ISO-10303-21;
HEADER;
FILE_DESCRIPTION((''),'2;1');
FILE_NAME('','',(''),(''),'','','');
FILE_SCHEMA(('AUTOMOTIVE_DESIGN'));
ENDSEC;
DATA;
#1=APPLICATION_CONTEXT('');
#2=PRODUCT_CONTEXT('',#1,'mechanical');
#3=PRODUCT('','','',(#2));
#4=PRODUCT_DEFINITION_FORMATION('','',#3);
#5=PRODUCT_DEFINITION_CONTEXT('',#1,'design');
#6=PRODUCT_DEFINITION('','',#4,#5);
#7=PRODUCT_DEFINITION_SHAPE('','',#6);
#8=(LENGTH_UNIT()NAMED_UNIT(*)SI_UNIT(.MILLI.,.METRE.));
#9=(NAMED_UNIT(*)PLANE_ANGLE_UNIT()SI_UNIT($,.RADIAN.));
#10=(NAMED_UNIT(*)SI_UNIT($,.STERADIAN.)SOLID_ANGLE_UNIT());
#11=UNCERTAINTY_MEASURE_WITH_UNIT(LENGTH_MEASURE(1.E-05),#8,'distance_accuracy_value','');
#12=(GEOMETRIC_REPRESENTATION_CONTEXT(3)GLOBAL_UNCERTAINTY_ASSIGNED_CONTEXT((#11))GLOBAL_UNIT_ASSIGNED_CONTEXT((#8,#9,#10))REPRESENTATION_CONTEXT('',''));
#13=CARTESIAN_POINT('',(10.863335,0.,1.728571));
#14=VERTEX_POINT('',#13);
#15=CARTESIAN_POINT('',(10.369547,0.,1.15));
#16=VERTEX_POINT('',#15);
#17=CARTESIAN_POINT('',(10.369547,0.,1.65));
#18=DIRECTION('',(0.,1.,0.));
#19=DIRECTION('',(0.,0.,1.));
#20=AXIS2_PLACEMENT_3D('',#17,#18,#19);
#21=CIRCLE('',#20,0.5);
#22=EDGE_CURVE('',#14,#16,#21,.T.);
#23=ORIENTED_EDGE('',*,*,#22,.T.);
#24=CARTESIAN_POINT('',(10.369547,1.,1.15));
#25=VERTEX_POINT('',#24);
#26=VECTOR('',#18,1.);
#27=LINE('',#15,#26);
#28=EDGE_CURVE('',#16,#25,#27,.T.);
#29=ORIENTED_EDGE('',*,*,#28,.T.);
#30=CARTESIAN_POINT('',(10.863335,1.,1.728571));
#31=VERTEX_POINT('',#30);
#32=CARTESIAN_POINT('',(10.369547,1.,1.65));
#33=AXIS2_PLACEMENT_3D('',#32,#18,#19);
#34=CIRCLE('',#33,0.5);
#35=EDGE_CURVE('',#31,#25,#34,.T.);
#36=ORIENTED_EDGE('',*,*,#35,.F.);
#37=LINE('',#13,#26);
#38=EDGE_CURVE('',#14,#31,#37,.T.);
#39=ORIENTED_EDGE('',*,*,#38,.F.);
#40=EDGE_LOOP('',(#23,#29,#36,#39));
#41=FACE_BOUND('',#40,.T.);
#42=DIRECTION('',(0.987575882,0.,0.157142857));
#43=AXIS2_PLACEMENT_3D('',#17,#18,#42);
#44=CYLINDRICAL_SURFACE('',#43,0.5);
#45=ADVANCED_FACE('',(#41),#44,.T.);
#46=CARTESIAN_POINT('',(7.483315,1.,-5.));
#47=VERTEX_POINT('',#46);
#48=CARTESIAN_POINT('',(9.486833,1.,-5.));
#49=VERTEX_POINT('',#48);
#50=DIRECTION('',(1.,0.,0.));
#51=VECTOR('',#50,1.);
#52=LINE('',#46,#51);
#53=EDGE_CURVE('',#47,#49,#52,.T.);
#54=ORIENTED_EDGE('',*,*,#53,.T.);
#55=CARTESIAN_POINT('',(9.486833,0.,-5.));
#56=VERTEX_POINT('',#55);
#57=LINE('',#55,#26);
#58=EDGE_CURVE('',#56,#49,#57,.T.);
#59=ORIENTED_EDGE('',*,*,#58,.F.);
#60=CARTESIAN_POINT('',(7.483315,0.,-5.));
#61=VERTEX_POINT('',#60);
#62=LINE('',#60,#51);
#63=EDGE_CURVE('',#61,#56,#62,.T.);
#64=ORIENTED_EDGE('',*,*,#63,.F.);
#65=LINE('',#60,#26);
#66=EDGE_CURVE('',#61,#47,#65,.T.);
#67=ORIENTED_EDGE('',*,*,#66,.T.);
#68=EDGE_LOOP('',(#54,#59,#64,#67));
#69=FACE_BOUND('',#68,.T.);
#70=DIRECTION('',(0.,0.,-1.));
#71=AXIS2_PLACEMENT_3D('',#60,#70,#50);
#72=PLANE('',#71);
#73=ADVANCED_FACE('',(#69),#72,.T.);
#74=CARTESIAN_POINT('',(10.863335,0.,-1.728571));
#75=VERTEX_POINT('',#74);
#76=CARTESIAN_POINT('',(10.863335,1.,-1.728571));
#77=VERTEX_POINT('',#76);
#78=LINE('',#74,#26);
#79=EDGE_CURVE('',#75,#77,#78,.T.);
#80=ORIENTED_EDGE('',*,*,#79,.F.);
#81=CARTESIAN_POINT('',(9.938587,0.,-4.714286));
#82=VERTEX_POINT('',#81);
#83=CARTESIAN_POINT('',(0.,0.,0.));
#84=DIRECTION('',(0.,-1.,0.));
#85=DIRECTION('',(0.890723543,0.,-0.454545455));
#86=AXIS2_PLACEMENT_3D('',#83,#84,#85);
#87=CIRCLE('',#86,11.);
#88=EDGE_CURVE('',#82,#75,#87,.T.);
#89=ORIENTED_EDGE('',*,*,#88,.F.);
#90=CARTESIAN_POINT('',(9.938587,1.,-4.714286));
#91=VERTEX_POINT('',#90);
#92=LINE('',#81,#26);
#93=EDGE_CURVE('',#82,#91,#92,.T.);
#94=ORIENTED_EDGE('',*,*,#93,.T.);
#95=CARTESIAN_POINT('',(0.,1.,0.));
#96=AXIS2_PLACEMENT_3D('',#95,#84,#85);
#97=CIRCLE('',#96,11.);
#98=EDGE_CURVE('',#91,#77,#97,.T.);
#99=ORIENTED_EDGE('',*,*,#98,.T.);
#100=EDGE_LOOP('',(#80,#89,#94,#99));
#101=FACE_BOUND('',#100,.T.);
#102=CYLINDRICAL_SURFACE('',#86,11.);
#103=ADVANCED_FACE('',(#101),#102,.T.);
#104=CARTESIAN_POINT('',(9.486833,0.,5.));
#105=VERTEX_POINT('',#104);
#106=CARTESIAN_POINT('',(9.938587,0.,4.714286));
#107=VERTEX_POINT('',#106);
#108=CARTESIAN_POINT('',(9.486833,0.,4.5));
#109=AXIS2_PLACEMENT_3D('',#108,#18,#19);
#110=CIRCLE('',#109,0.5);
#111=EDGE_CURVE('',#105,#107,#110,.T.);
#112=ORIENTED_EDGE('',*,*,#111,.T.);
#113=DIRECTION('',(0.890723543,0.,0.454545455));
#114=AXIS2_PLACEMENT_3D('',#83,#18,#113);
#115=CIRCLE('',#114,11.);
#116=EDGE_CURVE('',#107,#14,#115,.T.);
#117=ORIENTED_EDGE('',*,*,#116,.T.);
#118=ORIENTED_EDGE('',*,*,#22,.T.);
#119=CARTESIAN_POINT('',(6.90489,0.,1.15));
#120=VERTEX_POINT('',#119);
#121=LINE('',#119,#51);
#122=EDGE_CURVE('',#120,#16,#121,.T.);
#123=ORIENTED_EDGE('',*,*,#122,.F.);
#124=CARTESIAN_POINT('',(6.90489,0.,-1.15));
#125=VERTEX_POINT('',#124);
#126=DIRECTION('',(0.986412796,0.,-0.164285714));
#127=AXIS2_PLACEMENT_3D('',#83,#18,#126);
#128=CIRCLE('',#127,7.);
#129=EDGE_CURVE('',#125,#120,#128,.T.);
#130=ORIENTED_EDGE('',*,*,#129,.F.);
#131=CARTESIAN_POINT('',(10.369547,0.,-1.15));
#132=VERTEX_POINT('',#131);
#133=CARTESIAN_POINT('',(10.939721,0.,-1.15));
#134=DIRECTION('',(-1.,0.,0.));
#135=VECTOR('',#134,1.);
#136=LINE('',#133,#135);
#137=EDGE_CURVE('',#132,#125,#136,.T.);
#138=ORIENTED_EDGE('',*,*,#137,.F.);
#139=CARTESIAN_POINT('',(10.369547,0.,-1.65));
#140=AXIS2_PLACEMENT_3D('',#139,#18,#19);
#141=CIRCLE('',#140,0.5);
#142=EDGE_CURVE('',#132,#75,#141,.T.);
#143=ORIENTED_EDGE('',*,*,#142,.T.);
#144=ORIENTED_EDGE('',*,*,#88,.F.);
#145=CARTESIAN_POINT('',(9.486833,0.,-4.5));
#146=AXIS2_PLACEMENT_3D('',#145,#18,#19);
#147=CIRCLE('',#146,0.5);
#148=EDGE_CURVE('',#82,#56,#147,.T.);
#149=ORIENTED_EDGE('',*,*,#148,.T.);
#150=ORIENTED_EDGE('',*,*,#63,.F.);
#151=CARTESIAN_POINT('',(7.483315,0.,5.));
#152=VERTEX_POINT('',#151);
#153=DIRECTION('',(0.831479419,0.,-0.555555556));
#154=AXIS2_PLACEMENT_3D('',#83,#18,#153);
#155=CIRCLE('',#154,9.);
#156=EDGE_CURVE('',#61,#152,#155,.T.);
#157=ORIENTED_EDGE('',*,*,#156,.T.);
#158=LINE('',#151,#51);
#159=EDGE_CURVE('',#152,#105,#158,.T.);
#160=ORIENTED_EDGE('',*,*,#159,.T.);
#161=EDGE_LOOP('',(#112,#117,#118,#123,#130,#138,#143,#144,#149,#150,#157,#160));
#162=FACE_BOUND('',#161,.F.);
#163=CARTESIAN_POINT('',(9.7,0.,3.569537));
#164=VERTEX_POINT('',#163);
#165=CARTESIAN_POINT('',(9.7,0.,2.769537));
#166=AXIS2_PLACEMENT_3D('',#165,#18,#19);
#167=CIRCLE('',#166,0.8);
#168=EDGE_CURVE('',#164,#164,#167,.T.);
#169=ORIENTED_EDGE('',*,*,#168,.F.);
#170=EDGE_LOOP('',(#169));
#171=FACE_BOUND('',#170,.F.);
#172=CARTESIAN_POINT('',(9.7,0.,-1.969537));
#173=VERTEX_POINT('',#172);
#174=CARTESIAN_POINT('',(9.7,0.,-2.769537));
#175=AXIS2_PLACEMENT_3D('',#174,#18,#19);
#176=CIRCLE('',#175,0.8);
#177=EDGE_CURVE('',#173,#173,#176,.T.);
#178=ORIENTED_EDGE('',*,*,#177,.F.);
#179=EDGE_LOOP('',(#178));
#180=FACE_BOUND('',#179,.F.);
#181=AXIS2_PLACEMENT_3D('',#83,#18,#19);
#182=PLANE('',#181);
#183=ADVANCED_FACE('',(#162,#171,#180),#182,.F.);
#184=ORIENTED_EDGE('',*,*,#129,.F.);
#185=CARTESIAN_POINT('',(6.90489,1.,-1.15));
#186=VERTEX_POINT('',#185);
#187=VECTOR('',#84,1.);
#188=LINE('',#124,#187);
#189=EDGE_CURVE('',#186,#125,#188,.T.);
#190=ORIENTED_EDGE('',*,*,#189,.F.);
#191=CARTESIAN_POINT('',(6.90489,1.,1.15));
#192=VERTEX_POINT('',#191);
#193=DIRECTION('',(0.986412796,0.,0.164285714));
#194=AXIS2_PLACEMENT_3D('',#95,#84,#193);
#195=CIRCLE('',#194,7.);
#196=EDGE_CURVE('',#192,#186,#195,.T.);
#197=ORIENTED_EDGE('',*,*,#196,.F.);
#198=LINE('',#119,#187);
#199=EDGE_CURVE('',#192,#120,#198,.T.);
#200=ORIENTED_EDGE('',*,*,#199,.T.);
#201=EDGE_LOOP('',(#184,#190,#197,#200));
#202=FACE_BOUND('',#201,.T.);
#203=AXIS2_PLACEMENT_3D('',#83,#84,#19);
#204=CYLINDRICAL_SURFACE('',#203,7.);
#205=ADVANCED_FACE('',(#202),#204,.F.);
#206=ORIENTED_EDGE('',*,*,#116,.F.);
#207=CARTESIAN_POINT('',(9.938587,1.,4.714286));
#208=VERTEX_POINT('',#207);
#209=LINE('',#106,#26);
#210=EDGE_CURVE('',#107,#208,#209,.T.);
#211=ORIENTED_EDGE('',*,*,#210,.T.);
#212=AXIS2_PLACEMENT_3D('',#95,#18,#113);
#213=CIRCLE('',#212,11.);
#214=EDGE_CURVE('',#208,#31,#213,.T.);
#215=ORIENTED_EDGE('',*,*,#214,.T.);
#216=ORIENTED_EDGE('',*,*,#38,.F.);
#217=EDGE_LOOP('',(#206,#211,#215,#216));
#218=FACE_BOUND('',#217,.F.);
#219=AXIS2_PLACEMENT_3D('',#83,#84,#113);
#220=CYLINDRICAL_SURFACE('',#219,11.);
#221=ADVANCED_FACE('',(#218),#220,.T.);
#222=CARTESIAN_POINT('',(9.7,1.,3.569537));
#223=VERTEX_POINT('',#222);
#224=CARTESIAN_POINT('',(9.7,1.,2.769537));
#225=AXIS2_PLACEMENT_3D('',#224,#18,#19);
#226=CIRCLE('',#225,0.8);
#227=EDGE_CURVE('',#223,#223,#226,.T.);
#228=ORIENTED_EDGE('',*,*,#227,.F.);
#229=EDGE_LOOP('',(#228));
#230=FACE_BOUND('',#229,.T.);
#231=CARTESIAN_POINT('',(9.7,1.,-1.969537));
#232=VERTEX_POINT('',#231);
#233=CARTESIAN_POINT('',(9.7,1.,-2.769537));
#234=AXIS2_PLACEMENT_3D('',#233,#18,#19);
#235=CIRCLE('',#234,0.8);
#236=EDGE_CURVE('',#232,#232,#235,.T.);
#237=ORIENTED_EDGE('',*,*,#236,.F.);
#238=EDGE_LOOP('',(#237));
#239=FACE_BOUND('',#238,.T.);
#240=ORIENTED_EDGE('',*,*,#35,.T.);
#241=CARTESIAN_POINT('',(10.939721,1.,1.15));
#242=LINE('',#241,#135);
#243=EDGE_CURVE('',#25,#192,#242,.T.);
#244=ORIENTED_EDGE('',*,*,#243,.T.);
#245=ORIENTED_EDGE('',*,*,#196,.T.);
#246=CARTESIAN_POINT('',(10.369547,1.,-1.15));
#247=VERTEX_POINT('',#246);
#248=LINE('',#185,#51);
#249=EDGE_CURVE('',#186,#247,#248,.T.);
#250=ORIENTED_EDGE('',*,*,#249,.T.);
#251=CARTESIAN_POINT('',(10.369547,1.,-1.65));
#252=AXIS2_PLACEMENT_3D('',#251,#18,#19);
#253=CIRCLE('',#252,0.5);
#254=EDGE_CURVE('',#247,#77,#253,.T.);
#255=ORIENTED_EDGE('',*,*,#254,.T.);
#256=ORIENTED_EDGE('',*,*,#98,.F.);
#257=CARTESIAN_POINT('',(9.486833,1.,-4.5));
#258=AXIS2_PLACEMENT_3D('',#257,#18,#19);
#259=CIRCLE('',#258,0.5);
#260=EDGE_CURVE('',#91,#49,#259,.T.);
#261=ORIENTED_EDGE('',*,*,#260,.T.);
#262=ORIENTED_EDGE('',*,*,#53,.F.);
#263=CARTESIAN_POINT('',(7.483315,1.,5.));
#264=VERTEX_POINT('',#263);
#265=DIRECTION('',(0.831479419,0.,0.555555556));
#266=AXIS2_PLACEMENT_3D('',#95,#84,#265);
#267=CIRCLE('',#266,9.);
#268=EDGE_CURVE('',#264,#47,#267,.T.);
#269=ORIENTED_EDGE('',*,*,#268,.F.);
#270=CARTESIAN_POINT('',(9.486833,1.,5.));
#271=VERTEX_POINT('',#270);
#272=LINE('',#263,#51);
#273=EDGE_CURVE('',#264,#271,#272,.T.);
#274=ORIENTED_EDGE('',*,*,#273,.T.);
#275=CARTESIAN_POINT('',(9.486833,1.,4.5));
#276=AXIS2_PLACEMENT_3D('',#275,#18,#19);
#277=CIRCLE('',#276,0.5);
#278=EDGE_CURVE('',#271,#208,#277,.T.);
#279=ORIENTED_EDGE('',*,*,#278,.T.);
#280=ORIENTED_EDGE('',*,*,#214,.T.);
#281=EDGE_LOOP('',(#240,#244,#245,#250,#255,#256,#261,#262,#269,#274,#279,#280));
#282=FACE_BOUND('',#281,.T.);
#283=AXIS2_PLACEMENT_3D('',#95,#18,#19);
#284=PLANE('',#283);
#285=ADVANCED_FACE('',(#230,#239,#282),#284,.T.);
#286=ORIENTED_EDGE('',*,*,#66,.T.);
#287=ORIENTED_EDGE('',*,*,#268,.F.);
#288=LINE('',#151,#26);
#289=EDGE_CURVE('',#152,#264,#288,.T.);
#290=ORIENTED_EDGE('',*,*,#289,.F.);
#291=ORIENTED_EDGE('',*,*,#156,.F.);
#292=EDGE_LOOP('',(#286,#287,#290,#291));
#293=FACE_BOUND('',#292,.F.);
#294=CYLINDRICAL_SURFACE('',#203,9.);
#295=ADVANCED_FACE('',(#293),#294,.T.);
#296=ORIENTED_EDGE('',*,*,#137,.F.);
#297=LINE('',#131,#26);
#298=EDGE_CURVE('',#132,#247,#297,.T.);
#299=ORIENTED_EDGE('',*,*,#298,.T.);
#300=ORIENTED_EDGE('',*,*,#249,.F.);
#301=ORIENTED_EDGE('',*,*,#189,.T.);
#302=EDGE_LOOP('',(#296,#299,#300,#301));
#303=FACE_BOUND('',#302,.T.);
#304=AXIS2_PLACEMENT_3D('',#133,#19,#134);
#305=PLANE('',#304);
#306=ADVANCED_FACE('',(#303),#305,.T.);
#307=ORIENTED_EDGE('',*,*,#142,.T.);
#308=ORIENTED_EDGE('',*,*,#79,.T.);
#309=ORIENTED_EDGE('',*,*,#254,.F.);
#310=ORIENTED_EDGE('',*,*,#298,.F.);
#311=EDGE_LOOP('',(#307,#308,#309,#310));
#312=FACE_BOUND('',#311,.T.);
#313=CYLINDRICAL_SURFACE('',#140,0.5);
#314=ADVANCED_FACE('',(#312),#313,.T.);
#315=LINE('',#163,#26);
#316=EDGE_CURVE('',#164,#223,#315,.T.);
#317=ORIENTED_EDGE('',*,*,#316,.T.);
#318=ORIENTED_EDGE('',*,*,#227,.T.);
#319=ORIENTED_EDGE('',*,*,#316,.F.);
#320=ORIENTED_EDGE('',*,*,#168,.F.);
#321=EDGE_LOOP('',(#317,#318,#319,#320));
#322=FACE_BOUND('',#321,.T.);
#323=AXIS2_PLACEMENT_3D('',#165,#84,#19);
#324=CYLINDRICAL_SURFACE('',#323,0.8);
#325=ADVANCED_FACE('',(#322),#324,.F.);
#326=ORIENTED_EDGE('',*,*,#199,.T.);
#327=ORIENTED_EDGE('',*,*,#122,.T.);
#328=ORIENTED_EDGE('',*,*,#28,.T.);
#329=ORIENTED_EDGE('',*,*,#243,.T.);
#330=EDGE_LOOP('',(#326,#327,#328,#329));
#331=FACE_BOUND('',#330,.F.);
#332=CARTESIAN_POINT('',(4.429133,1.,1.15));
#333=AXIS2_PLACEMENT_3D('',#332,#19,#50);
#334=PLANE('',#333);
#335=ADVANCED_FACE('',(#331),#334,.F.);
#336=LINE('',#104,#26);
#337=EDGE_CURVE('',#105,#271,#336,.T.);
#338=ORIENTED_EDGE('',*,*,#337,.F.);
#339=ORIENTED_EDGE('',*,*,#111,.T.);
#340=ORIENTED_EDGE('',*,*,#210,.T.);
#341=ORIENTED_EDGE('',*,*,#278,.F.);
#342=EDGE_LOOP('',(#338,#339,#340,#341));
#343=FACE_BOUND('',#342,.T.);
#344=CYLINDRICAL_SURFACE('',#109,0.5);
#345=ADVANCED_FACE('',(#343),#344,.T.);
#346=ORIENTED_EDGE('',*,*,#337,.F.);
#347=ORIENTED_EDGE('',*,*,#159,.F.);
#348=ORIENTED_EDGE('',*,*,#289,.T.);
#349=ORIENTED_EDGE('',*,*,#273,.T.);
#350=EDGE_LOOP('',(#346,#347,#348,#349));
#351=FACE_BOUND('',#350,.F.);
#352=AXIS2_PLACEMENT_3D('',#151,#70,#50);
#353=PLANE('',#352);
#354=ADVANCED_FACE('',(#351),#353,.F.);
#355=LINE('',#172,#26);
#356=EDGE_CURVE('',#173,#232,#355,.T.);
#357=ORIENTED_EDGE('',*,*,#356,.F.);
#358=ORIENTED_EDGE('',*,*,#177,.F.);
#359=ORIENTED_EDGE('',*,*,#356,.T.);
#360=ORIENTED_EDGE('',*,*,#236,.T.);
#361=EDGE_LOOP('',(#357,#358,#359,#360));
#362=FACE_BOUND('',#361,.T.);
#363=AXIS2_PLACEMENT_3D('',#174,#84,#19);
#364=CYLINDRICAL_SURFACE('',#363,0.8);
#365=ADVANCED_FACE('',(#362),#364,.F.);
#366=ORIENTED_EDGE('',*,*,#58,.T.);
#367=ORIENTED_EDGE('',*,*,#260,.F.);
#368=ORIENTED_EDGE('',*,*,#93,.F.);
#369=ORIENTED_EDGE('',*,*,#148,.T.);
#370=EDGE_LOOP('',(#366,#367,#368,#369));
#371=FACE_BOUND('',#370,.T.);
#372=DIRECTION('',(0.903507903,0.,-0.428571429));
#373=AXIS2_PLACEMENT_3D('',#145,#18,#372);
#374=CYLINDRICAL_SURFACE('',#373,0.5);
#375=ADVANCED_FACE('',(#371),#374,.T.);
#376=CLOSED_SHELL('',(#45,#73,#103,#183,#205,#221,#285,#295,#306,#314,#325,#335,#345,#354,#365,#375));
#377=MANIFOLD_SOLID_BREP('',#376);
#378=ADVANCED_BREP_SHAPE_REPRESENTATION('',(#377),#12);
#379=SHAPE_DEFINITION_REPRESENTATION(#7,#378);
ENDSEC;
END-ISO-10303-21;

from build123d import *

# Parameters (mm, degrees)
SKETCH_1_R          = 9
SKETCH_1_R_2        = 7
EXTRUDE_1_DEPTH     = 1
EXTRUDE_START       = -1
SKETCH_2_R          = 0.8
EXTRUDE_2_DEPTH     = 1
SKETCH_3_W          = 6.510588585
SKETCH_3_H          = 2.3
CUT_EXTRUDE_1_DEPTH = 15.201320361
FILLET_1_R          = 0.5


with BuildPart() as part:
    # 草图1 → 凸台-拉伸1 (new body)
    with BuildSketch(Plane(origin=(0, 0, 0), x_dir=(1, 0, 0), z_dir=(0, 1, 0))):
        with Locations(Location((0, 0, 0), (0, 0, 270))):
            Circle(SKETCH_1_R)
        with Locations(Location((0, 0, 0), (0, 0, 270))):
            Circle(SKETCH_1_R_2, mode=Mode.SUBTRACT)
    extrude(amount=EXTRUDE_1_DEPTH)

    # 草图2 → 凸台-拉伸2 (add)
    # profile 1 of 2: a face of its own
    with BuildSketch(Plane(origin=(0, 1, 0), x_dir=(1, 0, 0), z_dir=(0, 1, 0)).offset(EXTRUDE_START)):
        with BuildLine():
            Line((10.939721203, 1.15), (8.926225406, 1.15))
            ThreePointArc((8.926225406, 1.15), (8.427566507, 3.158500083), (7.483314774, 5))
            Line((7.483314774, 5), (9.797958971, 5))
            ThreePointArc((9.797958971, 5), (10.546016772, 3.127543804), (10.939721203, 1.15))
        make_face()
        with Locations(Location((9.7, 2.769537095, 0), (0, 0, 270))):
            Circle(SKETCH_2_R, mode=Mode.SUBTRACT)
    # profile 2 of 2: a face of its own
    with BuildSketch(Plane(origin=(0, 1, 0), x_dir=(1, 0, 0), z_dir=(0, 1, 0)).offset(EXTRUDE_START)):
        with BuildLine():
            Line((10.939721203, -1.15), (8.926225406, -1.15))
            ThreePointArc((8.926225406, -1.15), (8.427566507, -3.158500083), (7.483314774, -5))
            Line((7.483314774, -5), (9.797958971, -5))
            ThreePointArc((9.797958971, -5), (10.546016772, -3.127543804), (10.939721203, -1.15))
        make_face()
        with Locations(Location((9.7, -2.769537095, 0), (0, 0, 270))):
            Circle(SKETCH_2_R, mode=Mode.SUBTRACT)
    extrude(amount=EXTRUDE_2_DEPTH)

    # 草图3 → 切除-拉伸1 (cut, through all)
    with BuildSketch(Plane(origin=(0, 1, 0), x_dir=(1, 0, 0), z_dir=(0, 1, 0))):
        with Locations((7.684426911, 0)):
            Rectangle(SKETCH_3_W, SKETCH_3_H)
    extrude(amount=-CUT_EXTRUDE_1_DEPTH, mode=Mode.SUBTRACT)

    # 圆角1
    fillet_1_edges = [part.edges().sort_by_distance(p)[0] for p in [
        (10.939721203, 0.5, -1.15),
        (9.797958971, 0.5, -5),
        (9.797958971, 0.5, 5),
        (10.939721203, 0.5, 1.15),
    ]]
    fillet(fillet_1_edges, radius=FILLET_1_R)


solid = part.part
